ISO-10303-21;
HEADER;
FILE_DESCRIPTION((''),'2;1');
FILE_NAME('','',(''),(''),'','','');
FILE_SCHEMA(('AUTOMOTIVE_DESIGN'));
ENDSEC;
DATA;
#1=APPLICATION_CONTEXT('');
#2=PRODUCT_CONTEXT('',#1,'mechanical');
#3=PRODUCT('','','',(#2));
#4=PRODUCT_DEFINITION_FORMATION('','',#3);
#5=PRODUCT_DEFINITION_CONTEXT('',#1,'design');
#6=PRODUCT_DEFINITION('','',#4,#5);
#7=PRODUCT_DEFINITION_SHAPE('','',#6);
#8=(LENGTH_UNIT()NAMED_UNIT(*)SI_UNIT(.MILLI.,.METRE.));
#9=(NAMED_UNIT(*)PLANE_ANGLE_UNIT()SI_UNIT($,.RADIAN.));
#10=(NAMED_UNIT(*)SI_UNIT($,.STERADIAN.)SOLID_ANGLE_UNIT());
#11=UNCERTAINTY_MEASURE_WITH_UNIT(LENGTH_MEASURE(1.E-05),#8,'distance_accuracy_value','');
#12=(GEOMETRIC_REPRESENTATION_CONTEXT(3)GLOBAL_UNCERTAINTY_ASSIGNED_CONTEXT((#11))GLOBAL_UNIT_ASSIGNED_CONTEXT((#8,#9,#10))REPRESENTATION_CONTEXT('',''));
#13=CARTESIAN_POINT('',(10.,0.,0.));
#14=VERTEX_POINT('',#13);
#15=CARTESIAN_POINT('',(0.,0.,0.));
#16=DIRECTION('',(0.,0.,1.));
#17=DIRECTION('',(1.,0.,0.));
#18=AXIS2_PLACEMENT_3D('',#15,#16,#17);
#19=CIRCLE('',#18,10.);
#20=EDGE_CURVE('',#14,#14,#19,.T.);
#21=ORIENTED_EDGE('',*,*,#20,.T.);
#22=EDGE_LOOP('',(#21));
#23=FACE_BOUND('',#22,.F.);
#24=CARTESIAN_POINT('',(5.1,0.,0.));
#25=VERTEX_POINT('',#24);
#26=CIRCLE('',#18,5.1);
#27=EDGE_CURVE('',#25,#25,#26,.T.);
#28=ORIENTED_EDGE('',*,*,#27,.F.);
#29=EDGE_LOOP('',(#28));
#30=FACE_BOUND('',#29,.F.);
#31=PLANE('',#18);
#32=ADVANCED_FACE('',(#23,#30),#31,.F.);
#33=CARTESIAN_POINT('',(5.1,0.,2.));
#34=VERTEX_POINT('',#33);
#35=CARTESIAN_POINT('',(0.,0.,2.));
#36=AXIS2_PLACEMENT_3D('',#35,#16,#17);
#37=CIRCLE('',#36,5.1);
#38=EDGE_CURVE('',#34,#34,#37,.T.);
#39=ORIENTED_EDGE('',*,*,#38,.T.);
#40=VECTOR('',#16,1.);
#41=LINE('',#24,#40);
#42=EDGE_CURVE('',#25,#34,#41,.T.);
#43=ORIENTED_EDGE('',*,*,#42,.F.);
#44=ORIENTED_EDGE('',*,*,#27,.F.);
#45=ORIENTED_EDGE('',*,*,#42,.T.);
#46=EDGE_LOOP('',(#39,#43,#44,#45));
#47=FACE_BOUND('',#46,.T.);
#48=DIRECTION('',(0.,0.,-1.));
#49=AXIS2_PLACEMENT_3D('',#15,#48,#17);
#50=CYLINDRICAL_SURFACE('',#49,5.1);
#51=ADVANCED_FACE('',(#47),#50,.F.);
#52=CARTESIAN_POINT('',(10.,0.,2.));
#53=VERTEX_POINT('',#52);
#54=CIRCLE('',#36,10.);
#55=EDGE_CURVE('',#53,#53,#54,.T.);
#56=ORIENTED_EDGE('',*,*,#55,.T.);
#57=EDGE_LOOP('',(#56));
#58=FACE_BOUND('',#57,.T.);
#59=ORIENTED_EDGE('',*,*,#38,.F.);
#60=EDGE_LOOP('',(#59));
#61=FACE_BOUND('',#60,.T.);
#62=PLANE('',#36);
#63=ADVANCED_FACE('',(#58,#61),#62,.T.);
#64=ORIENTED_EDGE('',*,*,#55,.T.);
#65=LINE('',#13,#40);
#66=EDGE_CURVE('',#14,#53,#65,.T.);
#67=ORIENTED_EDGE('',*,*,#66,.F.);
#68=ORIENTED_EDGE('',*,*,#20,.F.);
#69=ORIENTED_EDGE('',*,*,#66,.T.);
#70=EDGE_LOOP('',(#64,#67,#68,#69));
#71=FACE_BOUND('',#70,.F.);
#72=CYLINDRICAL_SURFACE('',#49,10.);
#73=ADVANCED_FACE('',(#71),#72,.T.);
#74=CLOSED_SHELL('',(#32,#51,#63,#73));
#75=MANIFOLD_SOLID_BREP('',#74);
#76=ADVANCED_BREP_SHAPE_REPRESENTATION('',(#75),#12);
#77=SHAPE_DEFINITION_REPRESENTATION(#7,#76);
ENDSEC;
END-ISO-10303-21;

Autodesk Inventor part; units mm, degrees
ref_plane "YZ Plane" through (0, 0, 0) normal (1, 0, 0) x (0, 1, 0)
ref_plane "XZ Plane" through (0, 0, 0) normal (0, 1, 0) x (-1, 0, 0)
ref_plane "XY Plane" through (0, 0, 0) normal (0, 0, 1) x (1, 0, 0)
sketch "スケッチ1" plane through (0, 0, 0) normal (0, 0, 1) x (1, 0, 0)
  circle A0 centre (0, 0) radius 5.1
  circle A1 centre (0, 0) radius 10
  dimension "d0" = 10.2
  dimension "d1" = 20
extrude "押し出し1" add sketch "スケッチ1" along normal blind 2
properties part number "TT-1020-20" material "アセタール樹脂、黒"
